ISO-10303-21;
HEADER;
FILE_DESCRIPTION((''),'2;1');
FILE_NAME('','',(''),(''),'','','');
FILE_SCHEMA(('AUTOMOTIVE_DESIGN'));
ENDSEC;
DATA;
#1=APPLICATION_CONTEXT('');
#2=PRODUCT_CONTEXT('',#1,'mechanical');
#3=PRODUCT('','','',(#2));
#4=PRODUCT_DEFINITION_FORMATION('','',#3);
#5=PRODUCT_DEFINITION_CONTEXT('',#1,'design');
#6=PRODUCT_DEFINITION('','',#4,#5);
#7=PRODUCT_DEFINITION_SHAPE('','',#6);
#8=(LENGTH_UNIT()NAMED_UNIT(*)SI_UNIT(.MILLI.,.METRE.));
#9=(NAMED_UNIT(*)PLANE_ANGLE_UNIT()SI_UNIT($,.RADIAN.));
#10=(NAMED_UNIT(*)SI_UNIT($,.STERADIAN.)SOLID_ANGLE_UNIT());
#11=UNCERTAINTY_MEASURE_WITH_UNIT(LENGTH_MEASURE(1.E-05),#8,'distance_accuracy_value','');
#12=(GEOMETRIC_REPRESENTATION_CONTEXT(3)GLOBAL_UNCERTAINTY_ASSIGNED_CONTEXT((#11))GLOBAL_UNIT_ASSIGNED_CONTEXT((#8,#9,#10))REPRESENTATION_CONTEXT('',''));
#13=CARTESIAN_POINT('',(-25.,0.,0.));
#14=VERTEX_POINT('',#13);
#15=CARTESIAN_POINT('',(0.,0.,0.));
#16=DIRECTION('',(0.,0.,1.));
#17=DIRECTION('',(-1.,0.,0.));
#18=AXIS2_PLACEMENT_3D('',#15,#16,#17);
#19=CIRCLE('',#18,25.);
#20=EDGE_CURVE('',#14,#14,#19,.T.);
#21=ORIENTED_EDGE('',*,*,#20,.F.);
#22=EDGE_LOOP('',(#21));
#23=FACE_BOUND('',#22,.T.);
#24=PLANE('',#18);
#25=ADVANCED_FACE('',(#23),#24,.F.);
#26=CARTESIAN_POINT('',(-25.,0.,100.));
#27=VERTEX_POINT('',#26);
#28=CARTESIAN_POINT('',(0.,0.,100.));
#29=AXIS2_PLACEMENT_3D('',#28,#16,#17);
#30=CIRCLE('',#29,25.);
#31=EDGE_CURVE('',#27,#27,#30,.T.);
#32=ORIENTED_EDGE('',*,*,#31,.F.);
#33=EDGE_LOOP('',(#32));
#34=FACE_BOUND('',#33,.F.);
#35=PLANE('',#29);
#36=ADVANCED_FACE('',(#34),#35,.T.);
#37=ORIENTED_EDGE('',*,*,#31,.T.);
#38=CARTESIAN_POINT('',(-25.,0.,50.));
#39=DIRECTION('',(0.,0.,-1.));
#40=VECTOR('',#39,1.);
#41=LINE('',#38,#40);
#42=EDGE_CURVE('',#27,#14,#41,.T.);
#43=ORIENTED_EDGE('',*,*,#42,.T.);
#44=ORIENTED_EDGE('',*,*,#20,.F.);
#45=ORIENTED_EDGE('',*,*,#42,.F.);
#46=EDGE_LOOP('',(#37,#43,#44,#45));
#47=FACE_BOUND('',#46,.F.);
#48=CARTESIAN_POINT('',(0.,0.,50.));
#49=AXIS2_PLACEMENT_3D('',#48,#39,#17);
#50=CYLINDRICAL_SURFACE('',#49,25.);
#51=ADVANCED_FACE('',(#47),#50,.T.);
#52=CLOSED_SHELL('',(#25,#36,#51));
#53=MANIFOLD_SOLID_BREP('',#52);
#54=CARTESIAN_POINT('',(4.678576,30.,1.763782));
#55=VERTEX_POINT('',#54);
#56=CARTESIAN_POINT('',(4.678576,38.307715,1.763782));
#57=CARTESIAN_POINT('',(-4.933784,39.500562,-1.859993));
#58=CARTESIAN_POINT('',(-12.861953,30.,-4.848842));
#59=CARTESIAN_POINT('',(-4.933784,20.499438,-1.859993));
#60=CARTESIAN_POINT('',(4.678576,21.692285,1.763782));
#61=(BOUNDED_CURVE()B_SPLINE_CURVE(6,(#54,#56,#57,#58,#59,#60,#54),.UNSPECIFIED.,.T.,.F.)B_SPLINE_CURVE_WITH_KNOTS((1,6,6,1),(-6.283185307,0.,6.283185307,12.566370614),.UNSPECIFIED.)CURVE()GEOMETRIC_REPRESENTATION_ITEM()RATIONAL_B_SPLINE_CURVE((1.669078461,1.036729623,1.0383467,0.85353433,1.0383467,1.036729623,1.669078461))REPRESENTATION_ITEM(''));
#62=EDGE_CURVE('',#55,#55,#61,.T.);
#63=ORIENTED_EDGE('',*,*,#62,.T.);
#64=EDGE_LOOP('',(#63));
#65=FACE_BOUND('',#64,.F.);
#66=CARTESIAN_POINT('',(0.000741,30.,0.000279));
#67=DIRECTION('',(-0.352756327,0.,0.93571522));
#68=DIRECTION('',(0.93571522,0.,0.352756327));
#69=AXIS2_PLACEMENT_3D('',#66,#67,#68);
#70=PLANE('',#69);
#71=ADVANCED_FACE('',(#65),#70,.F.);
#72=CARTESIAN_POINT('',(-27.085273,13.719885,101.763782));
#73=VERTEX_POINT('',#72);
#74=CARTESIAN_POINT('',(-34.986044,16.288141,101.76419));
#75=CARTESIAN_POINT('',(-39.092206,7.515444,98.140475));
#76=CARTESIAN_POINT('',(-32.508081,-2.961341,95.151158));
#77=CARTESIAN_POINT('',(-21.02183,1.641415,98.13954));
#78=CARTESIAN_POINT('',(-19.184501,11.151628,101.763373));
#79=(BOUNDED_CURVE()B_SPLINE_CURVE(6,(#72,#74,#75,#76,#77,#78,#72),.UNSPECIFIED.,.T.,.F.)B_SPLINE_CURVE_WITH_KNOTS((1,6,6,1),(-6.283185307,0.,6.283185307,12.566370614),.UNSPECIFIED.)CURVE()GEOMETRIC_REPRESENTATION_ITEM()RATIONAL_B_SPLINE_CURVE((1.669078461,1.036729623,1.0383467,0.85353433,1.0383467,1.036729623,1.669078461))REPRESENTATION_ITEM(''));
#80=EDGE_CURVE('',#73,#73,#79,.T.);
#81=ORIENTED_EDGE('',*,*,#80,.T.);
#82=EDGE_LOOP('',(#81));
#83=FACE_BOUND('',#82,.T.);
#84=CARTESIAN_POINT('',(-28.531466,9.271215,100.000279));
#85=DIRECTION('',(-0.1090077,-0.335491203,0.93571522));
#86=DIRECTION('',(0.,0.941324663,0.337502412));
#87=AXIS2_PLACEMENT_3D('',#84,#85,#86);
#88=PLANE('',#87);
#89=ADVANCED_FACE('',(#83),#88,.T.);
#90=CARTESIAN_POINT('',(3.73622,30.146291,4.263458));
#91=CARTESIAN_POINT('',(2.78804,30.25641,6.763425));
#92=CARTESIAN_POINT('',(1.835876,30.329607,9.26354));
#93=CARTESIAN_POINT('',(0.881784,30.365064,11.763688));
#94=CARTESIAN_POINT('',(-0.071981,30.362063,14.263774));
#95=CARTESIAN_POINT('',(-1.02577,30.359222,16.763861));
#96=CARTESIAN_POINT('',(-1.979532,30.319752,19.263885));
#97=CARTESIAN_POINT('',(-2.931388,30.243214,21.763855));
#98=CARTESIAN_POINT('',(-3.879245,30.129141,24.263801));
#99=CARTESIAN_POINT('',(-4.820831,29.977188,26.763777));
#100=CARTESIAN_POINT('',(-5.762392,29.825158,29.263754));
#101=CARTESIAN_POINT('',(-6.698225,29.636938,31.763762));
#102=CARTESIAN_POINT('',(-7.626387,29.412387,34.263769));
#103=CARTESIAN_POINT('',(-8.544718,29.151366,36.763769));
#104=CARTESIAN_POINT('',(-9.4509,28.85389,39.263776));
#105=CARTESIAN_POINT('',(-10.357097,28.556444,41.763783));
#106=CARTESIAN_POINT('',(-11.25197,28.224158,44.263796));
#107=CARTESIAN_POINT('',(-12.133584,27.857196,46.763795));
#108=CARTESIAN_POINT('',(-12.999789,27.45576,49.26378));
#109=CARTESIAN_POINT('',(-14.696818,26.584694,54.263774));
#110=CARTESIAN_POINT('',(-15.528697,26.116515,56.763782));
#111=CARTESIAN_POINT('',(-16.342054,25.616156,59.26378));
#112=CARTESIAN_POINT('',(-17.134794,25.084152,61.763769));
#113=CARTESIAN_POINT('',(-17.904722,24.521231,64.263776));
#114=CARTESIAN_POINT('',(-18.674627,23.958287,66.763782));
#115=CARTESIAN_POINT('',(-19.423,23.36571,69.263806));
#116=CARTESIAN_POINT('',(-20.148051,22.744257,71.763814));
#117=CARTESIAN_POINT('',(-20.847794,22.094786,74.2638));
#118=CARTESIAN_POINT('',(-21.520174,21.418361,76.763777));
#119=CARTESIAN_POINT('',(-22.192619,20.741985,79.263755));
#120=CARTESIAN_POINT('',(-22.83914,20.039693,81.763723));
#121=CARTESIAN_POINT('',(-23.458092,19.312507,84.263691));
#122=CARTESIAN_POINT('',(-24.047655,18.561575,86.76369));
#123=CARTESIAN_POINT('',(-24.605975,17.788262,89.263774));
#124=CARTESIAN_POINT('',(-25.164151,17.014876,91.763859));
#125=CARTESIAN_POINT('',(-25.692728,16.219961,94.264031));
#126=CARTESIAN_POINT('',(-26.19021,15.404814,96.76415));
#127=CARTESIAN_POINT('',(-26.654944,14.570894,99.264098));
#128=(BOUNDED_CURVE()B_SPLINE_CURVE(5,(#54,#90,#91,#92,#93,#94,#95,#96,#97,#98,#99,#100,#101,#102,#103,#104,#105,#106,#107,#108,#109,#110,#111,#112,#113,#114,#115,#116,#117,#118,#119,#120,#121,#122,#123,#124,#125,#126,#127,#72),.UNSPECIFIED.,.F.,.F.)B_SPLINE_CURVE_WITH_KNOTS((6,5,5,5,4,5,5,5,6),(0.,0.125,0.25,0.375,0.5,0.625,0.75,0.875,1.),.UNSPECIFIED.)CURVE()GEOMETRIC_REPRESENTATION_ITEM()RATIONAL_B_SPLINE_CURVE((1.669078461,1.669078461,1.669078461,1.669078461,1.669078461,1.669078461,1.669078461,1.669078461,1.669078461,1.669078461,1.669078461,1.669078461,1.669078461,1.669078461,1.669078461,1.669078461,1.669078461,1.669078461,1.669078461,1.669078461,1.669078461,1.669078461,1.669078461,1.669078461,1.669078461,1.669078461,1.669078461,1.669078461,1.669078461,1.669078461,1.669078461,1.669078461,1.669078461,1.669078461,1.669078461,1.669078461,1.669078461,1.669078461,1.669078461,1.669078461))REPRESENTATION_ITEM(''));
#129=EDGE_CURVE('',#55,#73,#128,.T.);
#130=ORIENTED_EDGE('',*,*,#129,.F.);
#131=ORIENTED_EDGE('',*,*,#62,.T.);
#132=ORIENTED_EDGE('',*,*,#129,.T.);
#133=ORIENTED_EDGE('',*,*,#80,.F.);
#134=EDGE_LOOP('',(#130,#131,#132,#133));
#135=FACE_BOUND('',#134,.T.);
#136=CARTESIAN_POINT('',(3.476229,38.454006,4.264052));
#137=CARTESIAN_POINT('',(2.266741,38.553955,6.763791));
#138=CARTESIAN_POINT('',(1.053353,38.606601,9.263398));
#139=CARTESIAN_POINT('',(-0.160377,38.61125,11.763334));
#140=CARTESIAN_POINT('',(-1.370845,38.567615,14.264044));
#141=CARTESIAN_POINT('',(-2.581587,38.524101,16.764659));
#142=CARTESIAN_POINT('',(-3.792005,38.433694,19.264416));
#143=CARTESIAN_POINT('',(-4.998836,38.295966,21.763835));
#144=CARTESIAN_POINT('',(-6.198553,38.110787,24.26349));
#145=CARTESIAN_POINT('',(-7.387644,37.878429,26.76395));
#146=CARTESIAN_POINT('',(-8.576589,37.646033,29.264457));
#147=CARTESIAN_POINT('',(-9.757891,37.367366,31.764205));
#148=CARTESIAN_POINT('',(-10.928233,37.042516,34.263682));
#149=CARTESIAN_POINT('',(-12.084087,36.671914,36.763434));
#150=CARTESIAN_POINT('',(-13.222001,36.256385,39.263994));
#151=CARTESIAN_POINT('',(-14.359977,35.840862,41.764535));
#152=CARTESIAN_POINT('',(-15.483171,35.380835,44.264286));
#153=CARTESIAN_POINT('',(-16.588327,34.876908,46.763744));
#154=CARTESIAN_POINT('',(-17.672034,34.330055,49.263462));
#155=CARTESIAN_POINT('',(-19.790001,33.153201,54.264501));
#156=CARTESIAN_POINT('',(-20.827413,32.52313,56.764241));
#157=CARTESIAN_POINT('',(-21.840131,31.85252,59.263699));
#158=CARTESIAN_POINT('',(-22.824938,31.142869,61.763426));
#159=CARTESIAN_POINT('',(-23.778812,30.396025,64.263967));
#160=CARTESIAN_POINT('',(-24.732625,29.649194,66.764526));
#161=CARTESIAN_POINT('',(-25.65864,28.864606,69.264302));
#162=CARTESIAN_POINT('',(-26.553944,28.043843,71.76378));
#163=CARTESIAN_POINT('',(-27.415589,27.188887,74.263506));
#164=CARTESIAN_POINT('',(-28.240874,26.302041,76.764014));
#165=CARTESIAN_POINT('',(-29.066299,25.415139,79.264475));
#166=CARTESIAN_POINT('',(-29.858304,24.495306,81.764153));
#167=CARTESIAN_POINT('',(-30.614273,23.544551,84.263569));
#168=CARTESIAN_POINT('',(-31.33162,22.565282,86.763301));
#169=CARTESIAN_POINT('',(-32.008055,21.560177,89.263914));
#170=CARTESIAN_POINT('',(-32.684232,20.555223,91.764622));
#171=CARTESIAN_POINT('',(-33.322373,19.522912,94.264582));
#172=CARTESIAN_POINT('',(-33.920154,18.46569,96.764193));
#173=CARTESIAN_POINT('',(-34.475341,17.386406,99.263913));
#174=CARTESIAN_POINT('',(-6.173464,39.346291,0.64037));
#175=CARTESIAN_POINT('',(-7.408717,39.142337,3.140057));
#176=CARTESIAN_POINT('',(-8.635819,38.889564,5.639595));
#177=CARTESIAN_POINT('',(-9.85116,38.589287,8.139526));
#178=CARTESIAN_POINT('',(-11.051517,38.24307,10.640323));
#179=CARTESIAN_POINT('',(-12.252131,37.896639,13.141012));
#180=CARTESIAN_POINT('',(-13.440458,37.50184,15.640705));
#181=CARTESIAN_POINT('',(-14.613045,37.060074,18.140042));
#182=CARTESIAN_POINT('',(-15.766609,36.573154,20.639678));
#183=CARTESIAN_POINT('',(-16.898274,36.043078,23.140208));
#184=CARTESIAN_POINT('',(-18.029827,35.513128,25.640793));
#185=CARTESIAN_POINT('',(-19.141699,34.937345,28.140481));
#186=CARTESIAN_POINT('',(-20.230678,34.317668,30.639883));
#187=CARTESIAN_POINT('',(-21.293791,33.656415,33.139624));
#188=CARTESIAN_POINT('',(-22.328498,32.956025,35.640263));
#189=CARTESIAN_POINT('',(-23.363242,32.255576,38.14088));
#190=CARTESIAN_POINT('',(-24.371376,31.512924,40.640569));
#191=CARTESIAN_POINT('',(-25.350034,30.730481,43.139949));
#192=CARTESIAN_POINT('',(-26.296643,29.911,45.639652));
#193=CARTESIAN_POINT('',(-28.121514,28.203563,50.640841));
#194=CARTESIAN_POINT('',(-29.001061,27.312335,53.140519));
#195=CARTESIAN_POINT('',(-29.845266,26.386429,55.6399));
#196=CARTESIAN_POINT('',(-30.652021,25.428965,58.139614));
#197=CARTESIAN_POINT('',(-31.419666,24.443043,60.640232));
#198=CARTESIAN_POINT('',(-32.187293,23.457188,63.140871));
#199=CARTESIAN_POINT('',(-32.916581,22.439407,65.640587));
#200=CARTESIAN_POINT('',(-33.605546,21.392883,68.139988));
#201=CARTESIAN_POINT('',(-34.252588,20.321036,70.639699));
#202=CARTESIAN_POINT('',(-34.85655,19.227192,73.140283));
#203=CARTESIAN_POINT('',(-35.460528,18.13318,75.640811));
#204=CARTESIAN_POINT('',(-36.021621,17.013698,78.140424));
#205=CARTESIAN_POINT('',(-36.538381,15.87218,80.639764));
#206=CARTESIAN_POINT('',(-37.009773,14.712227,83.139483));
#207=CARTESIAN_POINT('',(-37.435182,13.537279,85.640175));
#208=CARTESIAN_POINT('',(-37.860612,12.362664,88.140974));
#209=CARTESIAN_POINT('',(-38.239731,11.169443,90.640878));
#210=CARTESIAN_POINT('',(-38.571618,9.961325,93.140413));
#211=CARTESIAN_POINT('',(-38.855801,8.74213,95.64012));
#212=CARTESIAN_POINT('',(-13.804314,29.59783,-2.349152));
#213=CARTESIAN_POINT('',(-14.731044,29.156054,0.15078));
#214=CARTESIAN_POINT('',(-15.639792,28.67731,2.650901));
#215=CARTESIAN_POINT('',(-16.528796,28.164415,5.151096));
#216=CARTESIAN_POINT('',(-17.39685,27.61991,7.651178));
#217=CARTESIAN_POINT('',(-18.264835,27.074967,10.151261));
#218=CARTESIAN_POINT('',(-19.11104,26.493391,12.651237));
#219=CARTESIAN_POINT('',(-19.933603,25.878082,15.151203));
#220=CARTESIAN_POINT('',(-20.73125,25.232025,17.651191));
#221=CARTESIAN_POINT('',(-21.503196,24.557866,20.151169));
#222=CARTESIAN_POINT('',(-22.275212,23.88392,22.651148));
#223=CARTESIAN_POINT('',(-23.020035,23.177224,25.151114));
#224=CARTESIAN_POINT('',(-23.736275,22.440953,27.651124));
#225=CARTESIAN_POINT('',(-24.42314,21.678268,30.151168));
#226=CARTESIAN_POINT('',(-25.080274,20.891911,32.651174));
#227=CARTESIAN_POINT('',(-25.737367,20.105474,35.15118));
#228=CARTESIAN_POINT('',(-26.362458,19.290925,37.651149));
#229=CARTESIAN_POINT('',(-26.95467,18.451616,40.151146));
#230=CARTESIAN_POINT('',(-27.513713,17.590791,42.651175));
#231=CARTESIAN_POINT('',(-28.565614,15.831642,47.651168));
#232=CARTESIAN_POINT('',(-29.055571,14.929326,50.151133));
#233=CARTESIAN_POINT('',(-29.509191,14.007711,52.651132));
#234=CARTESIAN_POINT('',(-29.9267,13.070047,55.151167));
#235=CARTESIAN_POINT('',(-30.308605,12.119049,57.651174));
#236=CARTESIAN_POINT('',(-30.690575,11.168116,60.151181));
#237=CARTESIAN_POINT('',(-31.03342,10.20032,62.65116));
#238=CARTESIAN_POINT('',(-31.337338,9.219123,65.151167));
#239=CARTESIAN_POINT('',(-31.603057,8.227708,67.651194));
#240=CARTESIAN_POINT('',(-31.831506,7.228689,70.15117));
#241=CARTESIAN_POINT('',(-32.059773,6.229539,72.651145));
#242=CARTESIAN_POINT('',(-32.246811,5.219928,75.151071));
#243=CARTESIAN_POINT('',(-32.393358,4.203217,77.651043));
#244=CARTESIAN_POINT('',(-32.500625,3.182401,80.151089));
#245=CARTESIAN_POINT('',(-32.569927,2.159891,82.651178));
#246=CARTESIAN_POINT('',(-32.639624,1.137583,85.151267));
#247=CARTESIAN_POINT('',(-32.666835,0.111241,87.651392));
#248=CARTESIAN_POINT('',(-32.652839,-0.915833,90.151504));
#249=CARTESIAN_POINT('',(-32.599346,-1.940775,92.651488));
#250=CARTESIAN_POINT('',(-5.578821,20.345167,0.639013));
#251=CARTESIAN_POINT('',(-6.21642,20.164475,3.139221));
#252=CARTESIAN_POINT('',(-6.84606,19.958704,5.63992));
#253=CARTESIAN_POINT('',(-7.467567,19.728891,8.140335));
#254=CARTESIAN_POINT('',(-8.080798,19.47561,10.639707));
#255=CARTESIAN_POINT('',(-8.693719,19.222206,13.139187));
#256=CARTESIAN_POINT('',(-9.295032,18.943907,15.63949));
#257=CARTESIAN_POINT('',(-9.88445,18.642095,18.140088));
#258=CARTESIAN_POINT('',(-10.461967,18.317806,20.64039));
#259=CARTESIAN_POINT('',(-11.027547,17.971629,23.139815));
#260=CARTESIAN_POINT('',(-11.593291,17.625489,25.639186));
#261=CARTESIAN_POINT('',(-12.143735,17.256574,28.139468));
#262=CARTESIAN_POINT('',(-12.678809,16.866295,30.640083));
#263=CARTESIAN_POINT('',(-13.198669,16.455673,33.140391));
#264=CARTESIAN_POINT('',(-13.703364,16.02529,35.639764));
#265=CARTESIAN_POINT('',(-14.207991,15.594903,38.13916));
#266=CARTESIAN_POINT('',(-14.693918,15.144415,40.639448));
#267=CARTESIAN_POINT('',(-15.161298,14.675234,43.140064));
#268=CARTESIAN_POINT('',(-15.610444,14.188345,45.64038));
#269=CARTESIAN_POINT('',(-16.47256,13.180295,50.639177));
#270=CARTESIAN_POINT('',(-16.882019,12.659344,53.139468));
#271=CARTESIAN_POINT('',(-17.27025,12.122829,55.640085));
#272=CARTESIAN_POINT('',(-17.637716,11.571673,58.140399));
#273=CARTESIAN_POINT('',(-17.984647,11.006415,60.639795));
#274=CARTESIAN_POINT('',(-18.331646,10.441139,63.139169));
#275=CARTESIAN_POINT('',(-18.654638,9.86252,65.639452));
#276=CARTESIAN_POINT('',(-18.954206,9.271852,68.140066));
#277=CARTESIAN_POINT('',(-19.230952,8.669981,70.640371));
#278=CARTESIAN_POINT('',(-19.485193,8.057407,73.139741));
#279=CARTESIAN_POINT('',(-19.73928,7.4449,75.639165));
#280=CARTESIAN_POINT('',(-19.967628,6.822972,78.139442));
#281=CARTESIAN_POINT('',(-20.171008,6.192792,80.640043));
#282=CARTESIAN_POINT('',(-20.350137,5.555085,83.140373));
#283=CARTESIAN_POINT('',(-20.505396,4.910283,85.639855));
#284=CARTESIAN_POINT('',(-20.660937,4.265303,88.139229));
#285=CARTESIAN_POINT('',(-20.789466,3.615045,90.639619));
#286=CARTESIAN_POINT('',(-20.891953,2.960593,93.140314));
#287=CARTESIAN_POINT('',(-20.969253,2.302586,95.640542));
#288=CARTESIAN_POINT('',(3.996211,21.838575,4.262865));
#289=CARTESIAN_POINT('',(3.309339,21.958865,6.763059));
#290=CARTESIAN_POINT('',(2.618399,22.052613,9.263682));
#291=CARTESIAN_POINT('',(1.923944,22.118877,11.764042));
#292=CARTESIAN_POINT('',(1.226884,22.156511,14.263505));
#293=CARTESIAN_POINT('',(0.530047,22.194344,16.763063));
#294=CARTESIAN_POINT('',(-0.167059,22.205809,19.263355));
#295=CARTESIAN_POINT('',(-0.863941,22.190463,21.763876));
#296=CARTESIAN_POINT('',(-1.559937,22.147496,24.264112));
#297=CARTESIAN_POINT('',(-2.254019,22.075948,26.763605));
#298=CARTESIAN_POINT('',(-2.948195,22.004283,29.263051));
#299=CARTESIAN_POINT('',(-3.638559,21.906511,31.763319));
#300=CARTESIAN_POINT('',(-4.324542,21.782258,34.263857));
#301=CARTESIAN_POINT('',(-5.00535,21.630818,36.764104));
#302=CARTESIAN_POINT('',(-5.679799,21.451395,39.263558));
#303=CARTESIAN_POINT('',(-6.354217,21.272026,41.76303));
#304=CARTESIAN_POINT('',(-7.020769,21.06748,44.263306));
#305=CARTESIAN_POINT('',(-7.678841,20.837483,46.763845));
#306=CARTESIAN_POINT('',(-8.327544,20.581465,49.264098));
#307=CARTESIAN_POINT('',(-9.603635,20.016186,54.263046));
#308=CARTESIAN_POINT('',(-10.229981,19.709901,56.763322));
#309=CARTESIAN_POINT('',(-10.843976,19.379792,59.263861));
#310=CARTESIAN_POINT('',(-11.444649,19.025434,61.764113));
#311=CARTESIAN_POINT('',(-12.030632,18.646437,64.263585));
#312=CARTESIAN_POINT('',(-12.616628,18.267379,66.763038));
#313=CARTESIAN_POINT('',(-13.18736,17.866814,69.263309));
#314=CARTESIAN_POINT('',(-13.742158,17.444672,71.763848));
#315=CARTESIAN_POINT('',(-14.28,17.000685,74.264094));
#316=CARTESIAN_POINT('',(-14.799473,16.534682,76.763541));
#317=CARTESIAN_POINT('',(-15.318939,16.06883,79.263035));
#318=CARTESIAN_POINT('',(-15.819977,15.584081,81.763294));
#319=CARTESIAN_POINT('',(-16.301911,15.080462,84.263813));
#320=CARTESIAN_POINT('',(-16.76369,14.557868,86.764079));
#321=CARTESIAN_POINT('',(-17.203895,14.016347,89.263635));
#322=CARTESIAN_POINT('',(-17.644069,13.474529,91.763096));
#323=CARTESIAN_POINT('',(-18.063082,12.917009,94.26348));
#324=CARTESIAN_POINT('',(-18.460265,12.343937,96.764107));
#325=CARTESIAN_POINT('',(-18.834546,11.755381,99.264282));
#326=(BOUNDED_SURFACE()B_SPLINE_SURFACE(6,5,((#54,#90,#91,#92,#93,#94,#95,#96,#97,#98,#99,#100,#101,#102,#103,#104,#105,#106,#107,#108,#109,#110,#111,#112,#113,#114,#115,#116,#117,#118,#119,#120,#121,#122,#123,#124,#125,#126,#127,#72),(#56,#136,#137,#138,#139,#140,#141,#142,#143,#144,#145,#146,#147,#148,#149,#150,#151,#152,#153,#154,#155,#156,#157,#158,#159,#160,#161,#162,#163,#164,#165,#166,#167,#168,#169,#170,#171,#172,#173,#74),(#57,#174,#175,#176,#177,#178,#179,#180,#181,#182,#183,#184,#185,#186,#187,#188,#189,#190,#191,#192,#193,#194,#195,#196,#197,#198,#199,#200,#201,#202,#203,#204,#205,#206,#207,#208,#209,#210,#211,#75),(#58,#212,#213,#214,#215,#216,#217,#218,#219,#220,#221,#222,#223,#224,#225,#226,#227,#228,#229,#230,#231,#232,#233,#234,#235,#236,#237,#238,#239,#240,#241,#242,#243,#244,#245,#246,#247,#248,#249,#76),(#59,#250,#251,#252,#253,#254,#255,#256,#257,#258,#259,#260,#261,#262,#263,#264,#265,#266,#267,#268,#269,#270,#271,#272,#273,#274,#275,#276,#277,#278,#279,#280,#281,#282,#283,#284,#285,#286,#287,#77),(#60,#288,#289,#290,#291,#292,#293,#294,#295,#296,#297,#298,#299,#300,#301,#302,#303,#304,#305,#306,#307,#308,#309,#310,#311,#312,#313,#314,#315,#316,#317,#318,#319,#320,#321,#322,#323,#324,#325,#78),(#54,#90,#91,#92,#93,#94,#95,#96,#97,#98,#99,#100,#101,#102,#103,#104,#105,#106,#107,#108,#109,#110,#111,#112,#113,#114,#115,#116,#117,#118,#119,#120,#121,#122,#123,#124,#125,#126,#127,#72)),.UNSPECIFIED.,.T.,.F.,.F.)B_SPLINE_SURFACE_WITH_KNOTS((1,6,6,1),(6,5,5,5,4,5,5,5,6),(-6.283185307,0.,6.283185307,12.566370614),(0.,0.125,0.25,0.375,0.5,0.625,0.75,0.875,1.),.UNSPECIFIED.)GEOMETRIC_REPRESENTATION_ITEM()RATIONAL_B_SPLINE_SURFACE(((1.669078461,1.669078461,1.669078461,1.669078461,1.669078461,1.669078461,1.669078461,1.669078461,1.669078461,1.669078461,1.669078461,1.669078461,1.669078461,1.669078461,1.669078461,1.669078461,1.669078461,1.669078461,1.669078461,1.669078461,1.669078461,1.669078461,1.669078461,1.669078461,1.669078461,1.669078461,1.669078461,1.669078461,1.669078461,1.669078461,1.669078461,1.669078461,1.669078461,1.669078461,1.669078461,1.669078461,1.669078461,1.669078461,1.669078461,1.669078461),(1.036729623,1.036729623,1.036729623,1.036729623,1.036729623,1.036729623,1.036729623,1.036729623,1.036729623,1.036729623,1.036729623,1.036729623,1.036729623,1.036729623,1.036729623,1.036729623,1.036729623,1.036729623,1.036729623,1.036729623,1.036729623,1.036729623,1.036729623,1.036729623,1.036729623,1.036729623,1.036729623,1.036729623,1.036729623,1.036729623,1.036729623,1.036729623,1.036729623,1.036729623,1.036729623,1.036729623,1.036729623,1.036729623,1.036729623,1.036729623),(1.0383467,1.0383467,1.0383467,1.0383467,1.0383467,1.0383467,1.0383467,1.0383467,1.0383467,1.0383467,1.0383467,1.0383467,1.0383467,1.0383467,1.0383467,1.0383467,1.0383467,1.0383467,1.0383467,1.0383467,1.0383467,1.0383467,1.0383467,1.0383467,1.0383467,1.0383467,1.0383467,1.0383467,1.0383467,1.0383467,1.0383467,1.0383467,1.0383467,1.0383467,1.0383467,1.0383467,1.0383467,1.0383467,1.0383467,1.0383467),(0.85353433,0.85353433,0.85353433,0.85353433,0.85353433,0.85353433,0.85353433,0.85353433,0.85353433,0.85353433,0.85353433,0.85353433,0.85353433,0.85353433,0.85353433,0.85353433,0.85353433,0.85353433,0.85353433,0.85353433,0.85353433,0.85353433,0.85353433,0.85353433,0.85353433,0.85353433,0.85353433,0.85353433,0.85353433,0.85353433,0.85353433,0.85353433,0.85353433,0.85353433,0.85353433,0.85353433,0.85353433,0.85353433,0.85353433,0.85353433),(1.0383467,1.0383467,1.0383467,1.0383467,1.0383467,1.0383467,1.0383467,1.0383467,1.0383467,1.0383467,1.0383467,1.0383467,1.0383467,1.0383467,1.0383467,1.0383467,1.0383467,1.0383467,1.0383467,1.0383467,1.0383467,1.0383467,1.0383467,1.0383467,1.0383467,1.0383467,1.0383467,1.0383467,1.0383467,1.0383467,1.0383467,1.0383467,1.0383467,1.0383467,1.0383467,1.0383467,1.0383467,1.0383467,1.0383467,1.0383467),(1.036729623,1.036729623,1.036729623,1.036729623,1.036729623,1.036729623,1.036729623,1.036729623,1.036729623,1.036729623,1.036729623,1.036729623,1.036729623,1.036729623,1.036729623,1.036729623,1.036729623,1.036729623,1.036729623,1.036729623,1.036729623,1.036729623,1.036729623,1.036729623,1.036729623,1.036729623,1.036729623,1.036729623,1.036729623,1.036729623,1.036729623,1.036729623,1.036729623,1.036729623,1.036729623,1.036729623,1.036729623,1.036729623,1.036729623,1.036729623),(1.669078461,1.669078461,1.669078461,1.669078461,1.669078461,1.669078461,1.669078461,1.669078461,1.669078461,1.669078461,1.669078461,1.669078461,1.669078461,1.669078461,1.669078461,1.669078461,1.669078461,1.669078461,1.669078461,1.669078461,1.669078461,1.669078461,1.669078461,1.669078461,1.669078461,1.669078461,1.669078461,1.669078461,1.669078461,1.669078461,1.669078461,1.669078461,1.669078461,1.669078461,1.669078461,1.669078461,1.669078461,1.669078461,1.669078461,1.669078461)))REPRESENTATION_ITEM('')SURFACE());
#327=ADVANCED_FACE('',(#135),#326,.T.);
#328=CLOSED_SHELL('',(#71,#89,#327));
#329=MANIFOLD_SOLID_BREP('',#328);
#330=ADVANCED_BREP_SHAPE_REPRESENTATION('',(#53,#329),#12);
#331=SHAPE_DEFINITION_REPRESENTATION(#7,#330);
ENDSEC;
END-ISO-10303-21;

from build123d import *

# Parameters (mm, degrees)
SKIZZE1_W = 100
SKIZZE1_H = 25
SKIZZE4_R = 5


with BuildPart() as part:
    # Skizze1 → Rotation1 (revolve)
    with BuildSketch(Plane(origin=(0, 0, 0), x_dir=(0, 0, -1), z_dir=(1, 0, 0)), mode=Mode.PRIVATE) as rotation1_sk:
        with Locations((-50, 12.5)):
            Rectangle(SKIZZE1_W, SKIZZE1_H)
    revolve(rotation1_sk.sketch.rotate(Axis((0, 0, 0), (0, 0, 1)), 90), axis=Axis((0, 0, 0), (0, 0, 1)))  # turned: the seam where the file's is


with BuildPart() as body_2:
    # Austragung1: sweep along a curve in space
    with BuildLine() as austragung1_path:
        add(Edge.make_bspline(
            [(0, 30, 0), (-1.570595525, 30, 4.166134022), (-4.712463704, 29.752752169, 12.500247103), (-9.308687458, 28.649268716, 24.999934106), (-13.675845452, 26.840345901, 37.500016474), (-17.706220687, 24.370522034, 50), (-21.300617212, 21.300624951, 62.499983526), (-24.370531079, 17.706198775, 75.000065894), (-26.840317458, 13.675925363, 87.499752897), (-28.04635478, 10.764234939, 95.833865978), (-28.531695489, 9.270509831, 100)],
            knots=[0, 0, 0, 0, 0.125, 0.25, 0.375, 0.5, 0.625, 0.75, 0.875, 1, 1, 1, 1], degree=3))
    # Skizze4 → Austragung1 (sweep)
    with BuildSketch(Plane(origin=(0, 30, 0), x_dir=(0.93571522, 0, 0.352756327), z_dir=(-0.352756327, 0, 0.93571522))):
        Circle(SKIZZE4_R)
    sweep(path=austragung1_path.line, is_frenet=True)


solid = Compound([part.part, body_2.part])
